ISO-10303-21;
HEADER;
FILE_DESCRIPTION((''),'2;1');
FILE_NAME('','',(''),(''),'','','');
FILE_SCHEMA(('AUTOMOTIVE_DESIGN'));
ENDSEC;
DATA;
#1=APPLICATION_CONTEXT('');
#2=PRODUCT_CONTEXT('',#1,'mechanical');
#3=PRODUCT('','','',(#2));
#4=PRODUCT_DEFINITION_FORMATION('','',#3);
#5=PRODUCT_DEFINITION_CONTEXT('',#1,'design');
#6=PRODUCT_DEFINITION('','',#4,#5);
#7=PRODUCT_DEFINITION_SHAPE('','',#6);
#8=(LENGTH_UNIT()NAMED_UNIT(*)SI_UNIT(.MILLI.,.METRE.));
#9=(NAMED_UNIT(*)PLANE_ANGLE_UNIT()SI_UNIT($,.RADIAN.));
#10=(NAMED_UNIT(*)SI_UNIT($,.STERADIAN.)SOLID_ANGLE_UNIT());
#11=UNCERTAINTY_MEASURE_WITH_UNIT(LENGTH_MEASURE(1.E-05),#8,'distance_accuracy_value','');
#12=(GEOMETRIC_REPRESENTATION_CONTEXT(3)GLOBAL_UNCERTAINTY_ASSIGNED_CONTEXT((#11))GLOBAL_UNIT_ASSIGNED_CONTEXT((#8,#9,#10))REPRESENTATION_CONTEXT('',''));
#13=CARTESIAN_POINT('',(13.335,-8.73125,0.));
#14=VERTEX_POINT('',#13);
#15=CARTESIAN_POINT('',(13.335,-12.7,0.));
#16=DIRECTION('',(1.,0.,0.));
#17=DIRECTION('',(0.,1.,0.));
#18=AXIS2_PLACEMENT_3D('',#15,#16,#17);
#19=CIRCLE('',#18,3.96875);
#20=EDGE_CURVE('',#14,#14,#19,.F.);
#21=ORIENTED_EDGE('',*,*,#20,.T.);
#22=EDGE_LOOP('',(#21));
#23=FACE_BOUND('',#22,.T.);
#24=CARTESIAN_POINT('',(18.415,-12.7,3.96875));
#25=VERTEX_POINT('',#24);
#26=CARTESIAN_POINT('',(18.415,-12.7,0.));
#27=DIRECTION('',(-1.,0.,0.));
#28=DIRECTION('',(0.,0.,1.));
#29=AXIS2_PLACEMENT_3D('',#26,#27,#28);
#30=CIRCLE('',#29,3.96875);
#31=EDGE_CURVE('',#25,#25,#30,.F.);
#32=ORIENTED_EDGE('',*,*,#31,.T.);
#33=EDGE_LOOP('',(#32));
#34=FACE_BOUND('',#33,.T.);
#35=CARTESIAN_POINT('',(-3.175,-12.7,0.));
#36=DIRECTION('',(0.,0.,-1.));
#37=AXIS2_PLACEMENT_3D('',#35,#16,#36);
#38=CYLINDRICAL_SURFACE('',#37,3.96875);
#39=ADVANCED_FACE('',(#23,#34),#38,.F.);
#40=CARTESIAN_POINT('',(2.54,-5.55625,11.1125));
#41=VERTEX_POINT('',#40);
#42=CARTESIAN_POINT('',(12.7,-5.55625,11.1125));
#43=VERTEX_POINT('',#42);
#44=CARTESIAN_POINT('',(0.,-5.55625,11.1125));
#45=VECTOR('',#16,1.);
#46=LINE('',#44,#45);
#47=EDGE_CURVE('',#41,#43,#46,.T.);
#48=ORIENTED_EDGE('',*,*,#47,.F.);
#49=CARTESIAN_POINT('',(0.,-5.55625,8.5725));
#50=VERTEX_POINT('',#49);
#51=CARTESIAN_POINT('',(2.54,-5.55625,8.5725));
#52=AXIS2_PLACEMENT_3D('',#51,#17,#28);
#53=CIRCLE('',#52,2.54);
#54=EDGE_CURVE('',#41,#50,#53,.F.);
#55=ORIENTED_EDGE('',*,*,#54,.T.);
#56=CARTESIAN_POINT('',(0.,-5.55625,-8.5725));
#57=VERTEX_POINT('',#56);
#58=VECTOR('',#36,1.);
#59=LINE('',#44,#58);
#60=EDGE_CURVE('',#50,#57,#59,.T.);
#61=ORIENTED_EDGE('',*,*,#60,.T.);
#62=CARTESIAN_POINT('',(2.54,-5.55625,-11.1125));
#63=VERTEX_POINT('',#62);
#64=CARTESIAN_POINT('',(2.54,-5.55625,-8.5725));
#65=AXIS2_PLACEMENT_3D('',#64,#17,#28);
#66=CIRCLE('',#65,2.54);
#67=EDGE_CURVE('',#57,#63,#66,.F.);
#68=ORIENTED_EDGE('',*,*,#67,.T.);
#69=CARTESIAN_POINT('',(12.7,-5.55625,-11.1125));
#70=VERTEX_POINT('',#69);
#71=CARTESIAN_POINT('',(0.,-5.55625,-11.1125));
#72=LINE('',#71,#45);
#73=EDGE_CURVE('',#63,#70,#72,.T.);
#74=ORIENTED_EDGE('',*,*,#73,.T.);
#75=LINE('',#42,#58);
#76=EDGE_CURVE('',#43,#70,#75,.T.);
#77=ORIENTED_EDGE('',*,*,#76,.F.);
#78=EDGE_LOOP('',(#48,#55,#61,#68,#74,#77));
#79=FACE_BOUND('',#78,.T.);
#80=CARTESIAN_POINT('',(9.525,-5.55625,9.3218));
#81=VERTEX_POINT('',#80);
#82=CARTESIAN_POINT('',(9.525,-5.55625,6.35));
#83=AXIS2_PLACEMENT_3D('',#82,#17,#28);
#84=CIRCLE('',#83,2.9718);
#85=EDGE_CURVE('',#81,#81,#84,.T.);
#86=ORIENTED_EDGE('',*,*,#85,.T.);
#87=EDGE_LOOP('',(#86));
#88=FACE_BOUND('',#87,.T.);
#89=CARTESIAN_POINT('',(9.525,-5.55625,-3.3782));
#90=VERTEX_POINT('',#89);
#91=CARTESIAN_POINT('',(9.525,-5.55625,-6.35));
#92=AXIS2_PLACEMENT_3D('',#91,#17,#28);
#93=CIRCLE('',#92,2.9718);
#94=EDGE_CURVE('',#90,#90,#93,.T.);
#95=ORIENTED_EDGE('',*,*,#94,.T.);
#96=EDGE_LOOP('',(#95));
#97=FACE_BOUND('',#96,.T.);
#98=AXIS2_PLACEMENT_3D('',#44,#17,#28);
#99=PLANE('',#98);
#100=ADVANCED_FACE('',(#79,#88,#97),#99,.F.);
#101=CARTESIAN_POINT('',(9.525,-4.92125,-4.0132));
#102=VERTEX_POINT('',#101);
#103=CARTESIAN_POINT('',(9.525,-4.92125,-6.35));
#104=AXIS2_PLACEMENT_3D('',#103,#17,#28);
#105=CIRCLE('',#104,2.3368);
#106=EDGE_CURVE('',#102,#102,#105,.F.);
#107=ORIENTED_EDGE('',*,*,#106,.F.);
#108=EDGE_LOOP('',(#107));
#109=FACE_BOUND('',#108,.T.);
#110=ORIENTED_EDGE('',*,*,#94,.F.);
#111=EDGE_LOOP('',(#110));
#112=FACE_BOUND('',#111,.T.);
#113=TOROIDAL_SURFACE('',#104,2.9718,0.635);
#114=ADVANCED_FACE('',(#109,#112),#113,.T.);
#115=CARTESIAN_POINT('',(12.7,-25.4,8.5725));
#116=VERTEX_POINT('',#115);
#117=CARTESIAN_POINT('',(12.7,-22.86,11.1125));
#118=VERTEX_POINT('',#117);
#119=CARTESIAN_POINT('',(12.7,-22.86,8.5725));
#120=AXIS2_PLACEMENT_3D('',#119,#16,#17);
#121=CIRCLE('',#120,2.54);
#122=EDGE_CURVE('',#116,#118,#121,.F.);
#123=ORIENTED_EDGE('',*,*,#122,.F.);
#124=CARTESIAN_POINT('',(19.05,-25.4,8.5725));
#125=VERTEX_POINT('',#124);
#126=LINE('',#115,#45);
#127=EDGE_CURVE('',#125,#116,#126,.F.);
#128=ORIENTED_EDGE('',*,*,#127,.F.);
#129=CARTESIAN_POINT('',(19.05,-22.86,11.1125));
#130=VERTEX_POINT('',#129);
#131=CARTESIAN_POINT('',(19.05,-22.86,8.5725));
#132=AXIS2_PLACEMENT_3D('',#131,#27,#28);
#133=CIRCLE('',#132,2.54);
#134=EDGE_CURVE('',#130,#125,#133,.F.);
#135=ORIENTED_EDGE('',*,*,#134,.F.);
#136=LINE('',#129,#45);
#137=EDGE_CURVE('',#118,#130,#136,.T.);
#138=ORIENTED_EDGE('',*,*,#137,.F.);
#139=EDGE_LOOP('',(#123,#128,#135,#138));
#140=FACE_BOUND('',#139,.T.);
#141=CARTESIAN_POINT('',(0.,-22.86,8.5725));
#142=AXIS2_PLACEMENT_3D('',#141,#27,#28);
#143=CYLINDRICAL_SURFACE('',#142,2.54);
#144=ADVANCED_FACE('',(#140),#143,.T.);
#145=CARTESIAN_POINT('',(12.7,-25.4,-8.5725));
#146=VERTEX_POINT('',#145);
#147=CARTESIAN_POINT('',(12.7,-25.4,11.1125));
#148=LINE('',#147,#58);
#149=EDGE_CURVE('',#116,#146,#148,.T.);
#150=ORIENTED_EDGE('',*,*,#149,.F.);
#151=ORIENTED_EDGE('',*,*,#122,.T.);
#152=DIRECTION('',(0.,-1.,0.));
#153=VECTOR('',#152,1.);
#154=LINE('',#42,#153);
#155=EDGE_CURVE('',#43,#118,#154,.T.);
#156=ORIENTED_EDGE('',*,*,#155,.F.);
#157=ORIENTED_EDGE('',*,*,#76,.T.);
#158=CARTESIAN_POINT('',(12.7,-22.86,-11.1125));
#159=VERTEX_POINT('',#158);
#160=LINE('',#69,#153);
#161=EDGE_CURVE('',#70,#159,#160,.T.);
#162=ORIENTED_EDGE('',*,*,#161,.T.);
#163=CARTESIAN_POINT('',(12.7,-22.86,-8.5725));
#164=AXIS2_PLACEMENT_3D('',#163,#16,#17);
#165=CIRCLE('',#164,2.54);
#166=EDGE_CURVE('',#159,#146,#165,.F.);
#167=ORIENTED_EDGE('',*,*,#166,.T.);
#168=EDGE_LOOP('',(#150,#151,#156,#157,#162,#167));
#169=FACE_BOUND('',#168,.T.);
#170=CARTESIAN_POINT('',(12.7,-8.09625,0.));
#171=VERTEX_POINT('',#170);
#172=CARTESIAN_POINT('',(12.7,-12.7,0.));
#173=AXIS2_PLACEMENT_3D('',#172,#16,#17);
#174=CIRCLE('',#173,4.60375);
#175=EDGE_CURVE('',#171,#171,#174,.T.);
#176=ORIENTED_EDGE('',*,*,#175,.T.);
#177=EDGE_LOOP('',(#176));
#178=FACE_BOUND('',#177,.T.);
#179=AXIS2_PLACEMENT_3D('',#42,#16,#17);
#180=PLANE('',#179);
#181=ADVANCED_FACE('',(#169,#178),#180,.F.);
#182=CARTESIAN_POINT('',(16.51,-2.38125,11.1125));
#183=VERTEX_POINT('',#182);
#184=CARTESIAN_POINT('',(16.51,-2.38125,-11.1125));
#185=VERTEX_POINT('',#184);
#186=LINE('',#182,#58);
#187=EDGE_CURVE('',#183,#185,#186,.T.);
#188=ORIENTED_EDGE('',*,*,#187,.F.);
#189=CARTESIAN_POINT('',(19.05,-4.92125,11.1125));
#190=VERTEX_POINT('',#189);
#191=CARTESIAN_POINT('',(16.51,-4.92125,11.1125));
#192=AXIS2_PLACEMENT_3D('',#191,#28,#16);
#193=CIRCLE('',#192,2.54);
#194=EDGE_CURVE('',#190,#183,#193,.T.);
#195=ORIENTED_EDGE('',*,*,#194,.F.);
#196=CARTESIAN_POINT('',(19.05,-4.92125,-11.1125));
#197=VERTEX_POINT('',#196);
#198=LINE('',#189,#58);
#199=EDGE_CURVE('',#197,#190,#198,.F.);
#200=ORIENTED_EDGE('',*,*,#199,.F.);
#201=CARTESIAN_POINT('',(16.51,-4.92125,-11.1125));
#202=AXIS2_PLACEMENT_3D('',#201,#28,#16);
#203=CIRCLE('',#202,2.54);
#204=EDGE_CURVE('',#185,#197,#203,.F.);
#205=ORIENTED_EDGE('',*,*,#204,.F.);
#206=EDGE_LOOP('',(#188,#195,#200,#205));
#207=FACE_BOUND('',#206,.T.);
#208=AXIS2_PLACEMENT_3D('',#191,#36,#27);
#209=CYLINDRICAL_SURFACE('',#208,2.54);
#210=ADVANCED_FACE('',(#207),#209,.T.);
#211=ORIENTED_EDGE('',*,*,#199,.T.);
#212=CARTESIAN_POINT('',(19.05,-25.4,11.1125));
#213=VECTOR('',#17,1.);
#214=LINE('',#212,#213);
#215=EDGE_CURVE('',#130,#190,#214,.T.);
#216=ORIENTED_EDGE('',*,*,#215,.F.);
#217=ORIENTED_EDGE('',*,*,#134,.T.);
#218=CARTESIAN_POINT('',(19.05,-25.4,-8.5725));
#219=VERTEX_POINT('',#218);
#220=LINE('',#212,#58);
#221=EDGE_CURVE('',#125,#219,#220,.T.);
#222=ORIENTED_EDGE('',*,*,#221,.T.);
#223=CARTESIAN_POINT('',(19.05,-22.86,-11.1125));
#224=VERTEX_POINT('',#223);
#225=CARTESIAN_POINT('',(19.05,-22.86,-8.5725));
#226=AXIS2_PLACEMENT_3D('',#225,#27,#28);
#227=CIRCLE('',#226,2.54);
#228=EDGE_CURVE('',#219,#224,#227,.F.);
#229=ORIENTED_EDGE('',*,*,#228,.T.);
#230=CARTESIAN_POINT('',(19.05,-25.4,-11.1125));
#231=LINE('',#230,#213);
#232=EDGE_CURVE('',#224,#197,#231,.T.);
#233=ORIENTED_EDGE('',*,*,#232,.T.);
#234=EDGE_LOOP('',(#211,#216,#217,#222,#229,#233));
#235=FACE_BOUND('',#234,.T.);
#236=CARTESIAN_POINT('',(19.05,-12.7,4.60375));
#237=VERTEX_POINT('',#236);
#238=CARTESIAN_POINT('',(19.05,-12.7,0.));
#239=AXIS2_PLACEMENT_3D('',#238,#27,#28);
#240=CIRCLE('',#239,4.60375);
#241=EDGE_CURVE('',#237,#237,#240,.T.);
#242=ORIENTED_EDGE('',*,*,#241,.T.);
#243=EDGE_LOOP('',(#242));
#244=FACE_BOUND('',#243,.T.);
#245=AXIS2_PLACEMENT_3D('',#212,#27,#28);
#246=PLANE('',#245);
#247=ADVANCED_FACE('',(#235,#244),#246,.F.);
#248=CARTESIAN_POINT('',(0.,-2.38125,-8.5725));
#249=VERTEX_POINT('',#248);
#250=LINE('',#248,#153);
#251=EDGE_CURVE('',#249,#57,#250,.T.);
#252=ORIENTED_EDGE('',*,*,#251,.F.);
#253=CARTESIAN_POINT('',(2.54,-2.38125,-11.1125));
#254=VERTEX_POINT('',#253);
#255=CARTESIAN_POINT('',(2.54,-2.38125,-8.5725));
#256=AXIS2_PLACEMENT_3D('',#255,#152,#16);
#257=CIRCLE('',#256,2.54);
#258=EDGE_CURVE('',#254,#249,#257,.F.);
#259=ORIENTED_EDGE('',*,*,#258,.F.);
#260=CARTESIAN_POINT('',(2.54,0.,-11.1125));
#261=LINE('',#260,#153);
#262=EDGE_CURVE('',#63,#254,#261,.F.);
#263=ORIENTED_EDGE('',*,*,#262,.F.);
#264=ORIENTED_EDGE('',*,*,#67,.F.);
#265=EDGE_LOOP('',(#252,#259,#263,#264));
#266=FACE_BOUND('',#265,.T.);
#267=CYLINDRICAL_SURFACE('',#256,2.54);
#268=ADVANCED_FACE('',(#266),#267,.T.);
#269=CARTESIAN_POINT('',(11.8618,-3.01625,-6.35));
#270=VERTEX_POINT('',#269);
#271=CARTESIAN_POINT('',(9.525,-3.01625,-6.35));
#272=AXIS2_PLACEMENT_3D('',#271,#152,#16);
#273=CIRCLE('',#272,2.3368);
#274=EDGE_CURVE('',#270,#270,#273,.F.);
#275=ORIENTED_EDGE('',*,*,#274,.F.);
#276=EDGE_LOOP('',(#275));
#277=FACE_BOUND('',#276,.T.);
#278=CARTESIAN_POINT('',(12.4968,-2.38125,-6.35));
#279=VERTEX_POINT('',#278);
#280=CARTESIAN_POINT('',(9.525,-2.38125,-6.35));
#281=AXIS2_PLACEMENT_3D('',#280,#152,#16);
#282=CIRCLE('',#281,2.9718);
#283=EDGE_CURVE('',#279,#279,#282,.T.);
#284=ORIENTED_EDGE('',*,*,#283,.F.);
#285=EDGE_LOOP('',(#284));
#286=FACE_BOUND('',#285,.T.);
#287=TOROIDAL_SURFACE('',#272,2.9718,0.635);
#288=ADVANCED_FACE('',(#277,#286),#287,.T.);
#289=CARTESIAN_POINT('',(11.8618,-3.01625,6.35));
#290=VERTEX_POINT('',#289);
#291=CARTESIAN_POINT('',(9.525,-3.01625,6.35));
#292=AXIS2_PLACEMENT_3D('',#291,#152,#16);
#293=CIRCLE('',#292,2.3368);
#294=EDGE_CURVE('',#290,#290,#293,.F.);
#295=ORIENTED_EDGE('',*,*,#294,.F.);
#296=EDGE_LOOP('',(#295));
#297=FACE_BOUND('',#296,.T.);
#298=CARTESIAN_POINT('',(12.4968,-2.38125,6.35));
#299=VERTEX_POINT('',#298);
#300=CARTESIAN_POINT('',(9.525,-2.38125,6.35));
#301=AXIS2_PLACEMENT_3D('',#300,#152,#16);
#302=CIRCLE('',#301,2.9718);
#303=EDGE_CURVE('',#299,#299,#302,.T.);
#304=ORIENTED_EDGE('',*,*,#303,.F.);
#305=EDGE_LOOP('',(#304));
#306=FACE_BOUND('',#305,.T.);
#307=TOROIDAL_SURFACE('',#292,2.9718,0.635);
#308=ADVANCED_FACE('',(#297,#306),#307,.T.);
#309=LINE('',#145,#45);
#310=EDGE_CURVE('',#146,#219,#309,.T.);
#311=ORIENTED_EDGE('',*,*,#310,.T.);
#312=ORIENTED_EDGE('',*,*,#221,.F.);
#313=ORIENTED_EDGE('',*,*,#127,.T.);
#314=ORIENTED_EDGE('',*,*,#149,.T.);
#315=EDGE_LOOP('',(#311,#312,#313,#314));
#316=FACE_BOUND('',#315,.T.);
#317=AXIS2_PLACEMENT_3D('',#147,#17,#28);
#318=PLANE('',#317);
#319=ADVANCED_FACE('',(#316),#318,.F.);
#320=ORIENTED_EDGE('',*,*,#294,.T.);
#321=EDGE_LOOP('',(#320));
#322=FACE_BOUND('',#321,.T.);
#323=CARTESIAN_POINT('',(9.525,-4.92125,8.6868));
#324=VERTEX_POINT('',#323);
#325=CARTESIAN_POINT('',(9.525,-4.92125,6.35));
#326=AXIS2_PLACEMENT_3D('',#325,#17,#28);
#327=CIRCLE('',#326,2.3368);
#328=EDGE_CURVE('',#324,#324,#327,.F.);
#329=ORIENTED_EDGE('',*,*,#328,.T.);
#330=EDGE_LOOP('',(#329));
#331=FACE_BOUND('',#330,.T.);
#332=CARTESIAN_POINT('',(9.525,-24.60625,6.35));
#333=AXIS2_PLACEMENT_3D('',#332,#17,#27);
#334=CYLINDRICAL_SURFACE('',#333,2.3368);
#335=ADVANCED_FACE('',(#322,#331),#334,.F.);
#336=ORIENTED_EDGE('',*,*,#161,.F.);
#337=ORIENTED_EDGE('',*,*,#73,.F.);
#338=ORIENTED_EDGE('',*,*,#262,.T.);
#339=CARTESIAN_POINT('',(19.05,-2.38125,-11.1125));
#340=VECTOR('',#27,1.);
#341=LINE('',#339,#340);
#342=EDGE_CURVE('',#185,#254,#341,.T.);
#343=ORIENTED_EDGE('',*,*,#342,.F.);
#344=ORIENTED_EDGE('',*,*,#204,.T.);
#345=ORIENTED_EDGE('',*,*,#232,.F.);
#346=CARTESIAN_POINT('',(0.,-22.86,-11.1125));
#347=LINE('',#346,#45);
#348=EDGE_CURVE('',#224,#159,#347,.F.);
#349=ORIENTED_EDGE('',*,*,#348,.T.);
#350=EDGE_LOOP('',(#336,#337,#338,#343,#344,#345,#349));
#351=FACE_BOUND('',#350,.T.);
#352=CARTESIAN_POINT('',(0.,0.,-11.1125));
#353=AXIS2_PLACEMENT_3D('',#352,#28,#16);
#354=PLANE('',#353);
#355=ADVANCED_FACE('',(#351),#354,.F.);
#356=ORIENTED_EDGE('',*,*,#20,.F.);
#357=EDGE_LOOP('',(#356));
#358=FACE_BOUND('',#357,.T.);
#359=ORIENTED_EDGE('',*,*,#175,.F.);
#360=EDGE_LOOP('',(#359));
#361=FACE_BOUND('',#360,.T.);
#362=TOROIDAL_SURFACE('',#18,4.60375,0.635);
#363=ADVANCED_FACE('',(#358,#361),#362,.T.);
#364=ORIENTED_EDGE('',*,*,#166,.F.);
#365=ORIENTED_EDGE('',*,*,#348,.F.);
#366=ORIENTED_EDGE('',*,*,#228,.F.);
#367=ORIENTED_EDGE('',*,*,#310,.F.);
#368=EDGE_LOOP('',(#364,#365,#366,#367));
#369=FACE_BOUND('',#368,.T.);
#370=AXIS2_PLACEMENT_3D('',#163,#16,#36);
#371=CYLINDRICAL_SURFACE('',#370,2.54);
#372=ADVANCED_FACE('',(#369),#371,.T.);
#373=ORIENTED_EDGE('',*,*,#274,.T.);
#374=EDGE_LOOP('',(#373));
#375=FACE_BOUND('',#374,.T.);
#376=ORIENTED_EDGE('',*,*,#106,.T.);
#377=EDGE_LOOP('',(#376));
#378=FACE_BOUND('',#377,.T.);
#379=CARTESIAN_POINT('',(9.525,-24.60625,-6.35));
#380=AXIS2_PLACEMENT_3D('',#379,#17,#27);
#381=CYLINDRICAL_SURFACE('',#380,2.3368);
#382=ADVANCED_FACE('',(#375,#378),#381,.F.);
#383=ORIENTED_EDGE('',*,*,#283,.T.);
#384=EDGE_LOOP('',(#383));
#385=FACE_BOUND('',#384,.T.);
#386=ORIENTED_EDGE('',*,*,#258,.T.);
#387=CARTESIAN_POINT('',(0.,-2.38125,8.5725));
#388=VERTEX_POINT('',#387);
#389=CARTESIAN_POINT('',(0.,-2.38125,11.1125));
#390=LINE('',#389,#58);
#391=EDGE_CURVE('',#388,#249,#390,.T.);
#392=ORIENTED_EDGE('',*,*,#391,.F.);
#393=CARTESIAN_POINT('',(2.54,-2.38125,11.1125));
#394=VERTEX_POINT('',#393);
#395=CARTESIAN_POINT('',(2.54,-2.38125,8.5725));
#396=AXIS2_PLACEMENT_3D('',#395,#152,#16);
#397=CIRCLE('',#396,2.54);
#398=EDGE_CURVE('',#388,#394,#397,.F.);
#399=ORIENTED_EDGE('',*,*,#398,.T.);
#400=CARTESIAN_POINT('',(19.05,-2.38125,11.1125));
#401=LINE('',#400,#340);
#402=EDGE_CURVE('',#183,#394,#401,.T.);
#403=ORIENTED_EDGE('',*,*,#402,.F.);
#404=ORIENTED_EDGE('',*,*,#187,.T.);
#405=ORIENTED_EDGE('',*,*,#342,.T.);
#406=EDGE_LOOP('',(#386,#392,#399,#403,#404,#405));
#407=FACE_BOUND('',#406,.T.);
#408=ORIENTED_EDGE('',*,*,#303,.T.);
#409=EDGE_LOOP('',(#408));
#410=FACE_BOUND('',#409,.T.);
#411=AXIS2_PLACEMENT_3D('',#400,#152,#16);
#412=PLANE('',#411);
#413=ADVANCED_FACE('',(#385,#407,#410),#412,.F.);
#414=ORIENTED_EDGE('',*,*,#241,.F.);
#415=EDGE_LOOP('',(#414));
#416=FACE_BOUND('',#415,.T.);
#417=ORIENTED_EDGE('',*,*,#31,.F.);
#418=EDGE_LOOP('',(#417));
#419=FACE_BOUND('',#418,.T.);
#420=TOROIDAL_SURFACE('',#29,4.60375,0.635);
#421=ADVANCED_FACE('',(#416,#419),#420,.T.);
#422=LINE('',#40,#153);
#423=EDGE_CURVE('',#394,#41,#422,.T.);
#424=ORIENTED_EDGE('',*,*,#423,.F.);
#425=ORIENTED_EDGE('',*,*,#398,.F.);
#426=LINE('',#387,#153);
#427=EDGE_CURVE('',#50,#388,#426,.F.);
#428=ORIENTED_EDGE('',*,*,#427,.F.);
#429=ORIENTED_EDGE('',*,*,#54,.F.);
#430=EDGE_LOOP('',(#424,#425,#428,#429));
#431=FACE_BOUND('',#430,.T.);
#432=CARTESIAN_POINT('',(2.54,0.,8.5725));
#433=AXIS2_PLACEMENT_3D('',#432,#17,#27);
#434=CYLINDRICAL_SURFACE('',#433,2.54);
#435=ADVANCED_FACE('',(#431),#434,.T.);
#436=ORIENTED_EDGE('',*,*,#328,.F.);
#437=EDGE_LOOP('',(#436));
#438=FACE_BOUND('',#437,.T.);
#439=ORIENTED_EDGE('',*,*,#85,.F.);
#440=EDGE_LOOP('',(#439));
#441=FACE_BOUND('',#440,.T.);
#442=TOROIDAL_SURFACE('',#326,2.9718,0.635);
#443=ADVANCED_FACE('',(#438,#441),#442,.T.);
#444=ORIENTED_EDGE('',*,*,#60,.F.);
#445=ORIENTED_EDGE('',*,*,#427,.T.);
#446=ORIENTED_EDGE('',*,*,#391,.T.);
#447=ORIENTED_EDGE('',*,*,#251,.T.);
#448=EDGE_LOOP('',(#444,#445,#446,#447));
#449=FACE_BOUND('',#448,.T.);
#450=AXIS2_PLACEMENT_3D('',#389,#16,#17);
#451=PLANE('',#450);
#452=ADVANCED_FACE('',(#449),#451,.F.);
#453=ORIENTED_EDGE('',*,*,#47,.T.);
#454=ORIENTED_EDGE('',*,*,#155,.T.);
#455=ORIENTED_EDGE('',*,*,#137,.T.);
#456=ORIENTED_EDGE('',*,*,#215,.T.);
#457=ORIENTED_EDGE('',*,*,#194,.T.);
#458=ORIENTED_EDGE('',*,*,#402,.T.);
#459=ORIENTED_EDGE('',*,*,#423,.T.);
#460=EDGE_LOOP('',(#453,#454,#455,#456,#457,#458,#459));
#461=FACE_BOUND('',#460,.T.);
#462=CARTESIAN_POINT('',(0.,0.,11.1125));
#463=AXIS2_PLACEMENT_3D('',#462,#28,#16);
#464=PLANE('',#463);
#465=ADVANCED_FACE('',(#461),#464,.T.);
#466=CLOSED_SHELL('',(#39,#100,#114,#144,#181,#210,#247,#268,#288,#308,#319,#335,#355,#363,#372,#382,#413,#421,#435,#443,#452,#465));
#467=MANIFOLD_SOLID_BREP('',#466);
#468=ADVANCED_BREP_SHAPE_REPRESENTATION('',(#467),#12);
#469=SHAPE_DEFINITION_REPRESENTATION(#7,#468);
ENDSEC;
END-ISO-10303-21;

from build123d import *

# Parameters (mm, degrees)
BOSS_EXTRUDE1_DEPTH = 11.1125
SKETCH2_R           = 3.96875
CUT_EXTRUDE1_DEPTH  = 22.225
FILLET1_R           = 0.635
FILLET2_R           = 2.54
SKETCH3_R           = 2.3368
CUT_EXTRUDE2_DEPTH  = 22.225
FILLET3_R           = 0.635


with BuildPart() as part:
    # Sketch1 → Boss-Extrude1 (new, symmetric)
    with BuildSketch(Plane.XY):
        Polygon((0, -2.38125), (0, -5.55625), (12.7, -5.55625), (12.7, -25.4), (19.05, -25.4), (19.05, -2.38125), align=None)
    extrude(amount=BOSS_EXTRUDE1_DEPTH, both=True)

    # Sketch2 → Cut-Extrude1 (cut)
    with BuildSketch(Plane(origin=(19.05, 0, 0), x_dir=(0, 0, -1), z_dir=(1, 0, 0))):
        with Locations((0, -12.7)):
            Circle(SKETCH2_R)
    extrude(amount=-CUT_EXTRUDE1_DEPTH, mode=Mode.SUBTRACT)

    # Fillet1
    fillet1_edges = [part.edges().sort_by_distance(p)[0] for p in [
        (12.7, -12.7, 3.96875),
        (19.05, -12.7, 3.96875),
    ]]
    fillet(fillet1_edges, radius=FILLET1_R)

    # Fillet2
    fillet2_edges = [part.edges().sort_by_distance(p)[0] for p in [
        (19.05, -2.38125, 0),
        (15.875, -25.4, 11.1125),
        (15.875, -25.4, -11.1125),
        (0, -3.96875, -11.1125),
        (0, -3.96875, 11.1125),
    ]]
    fillet(fillet2_edges, radius=FILLET2_R)

    # Sketch3 → Cut-Extrude2 (cut)
    with BuildSketch(Plane(origin=(0, -2.38125, 0), x_dir=(1, 0, 0), z_dir=(0, 1, 0))):
        with Locations(Location((9.525, 6.35, 0), (0, 0, 180))):
            Circle(SKETCH3_R)
        with Locations(Location((9.525, -6.35, 0), (0, 0, 180))):
            Circle(SKETCH3_R)
    extrude(amount=-CUT_EXTRUDE2_DEPTH, mode=Mode.SUBTRACT)

    # Fillet3
    fillet3_edges = [part.edges().sort_by_distance(p)[0] for p in [
        (11.8618, -5.55625, -6.35),
        (11.8618, -2.38125, -6.35),
        (11.8618, -5.55625, 6.35),
        (11.8618, -2.38125, 6.35),
    ]]
    fillet(fillet3_edges, radius=FILLET3_R)


solid = part.part
